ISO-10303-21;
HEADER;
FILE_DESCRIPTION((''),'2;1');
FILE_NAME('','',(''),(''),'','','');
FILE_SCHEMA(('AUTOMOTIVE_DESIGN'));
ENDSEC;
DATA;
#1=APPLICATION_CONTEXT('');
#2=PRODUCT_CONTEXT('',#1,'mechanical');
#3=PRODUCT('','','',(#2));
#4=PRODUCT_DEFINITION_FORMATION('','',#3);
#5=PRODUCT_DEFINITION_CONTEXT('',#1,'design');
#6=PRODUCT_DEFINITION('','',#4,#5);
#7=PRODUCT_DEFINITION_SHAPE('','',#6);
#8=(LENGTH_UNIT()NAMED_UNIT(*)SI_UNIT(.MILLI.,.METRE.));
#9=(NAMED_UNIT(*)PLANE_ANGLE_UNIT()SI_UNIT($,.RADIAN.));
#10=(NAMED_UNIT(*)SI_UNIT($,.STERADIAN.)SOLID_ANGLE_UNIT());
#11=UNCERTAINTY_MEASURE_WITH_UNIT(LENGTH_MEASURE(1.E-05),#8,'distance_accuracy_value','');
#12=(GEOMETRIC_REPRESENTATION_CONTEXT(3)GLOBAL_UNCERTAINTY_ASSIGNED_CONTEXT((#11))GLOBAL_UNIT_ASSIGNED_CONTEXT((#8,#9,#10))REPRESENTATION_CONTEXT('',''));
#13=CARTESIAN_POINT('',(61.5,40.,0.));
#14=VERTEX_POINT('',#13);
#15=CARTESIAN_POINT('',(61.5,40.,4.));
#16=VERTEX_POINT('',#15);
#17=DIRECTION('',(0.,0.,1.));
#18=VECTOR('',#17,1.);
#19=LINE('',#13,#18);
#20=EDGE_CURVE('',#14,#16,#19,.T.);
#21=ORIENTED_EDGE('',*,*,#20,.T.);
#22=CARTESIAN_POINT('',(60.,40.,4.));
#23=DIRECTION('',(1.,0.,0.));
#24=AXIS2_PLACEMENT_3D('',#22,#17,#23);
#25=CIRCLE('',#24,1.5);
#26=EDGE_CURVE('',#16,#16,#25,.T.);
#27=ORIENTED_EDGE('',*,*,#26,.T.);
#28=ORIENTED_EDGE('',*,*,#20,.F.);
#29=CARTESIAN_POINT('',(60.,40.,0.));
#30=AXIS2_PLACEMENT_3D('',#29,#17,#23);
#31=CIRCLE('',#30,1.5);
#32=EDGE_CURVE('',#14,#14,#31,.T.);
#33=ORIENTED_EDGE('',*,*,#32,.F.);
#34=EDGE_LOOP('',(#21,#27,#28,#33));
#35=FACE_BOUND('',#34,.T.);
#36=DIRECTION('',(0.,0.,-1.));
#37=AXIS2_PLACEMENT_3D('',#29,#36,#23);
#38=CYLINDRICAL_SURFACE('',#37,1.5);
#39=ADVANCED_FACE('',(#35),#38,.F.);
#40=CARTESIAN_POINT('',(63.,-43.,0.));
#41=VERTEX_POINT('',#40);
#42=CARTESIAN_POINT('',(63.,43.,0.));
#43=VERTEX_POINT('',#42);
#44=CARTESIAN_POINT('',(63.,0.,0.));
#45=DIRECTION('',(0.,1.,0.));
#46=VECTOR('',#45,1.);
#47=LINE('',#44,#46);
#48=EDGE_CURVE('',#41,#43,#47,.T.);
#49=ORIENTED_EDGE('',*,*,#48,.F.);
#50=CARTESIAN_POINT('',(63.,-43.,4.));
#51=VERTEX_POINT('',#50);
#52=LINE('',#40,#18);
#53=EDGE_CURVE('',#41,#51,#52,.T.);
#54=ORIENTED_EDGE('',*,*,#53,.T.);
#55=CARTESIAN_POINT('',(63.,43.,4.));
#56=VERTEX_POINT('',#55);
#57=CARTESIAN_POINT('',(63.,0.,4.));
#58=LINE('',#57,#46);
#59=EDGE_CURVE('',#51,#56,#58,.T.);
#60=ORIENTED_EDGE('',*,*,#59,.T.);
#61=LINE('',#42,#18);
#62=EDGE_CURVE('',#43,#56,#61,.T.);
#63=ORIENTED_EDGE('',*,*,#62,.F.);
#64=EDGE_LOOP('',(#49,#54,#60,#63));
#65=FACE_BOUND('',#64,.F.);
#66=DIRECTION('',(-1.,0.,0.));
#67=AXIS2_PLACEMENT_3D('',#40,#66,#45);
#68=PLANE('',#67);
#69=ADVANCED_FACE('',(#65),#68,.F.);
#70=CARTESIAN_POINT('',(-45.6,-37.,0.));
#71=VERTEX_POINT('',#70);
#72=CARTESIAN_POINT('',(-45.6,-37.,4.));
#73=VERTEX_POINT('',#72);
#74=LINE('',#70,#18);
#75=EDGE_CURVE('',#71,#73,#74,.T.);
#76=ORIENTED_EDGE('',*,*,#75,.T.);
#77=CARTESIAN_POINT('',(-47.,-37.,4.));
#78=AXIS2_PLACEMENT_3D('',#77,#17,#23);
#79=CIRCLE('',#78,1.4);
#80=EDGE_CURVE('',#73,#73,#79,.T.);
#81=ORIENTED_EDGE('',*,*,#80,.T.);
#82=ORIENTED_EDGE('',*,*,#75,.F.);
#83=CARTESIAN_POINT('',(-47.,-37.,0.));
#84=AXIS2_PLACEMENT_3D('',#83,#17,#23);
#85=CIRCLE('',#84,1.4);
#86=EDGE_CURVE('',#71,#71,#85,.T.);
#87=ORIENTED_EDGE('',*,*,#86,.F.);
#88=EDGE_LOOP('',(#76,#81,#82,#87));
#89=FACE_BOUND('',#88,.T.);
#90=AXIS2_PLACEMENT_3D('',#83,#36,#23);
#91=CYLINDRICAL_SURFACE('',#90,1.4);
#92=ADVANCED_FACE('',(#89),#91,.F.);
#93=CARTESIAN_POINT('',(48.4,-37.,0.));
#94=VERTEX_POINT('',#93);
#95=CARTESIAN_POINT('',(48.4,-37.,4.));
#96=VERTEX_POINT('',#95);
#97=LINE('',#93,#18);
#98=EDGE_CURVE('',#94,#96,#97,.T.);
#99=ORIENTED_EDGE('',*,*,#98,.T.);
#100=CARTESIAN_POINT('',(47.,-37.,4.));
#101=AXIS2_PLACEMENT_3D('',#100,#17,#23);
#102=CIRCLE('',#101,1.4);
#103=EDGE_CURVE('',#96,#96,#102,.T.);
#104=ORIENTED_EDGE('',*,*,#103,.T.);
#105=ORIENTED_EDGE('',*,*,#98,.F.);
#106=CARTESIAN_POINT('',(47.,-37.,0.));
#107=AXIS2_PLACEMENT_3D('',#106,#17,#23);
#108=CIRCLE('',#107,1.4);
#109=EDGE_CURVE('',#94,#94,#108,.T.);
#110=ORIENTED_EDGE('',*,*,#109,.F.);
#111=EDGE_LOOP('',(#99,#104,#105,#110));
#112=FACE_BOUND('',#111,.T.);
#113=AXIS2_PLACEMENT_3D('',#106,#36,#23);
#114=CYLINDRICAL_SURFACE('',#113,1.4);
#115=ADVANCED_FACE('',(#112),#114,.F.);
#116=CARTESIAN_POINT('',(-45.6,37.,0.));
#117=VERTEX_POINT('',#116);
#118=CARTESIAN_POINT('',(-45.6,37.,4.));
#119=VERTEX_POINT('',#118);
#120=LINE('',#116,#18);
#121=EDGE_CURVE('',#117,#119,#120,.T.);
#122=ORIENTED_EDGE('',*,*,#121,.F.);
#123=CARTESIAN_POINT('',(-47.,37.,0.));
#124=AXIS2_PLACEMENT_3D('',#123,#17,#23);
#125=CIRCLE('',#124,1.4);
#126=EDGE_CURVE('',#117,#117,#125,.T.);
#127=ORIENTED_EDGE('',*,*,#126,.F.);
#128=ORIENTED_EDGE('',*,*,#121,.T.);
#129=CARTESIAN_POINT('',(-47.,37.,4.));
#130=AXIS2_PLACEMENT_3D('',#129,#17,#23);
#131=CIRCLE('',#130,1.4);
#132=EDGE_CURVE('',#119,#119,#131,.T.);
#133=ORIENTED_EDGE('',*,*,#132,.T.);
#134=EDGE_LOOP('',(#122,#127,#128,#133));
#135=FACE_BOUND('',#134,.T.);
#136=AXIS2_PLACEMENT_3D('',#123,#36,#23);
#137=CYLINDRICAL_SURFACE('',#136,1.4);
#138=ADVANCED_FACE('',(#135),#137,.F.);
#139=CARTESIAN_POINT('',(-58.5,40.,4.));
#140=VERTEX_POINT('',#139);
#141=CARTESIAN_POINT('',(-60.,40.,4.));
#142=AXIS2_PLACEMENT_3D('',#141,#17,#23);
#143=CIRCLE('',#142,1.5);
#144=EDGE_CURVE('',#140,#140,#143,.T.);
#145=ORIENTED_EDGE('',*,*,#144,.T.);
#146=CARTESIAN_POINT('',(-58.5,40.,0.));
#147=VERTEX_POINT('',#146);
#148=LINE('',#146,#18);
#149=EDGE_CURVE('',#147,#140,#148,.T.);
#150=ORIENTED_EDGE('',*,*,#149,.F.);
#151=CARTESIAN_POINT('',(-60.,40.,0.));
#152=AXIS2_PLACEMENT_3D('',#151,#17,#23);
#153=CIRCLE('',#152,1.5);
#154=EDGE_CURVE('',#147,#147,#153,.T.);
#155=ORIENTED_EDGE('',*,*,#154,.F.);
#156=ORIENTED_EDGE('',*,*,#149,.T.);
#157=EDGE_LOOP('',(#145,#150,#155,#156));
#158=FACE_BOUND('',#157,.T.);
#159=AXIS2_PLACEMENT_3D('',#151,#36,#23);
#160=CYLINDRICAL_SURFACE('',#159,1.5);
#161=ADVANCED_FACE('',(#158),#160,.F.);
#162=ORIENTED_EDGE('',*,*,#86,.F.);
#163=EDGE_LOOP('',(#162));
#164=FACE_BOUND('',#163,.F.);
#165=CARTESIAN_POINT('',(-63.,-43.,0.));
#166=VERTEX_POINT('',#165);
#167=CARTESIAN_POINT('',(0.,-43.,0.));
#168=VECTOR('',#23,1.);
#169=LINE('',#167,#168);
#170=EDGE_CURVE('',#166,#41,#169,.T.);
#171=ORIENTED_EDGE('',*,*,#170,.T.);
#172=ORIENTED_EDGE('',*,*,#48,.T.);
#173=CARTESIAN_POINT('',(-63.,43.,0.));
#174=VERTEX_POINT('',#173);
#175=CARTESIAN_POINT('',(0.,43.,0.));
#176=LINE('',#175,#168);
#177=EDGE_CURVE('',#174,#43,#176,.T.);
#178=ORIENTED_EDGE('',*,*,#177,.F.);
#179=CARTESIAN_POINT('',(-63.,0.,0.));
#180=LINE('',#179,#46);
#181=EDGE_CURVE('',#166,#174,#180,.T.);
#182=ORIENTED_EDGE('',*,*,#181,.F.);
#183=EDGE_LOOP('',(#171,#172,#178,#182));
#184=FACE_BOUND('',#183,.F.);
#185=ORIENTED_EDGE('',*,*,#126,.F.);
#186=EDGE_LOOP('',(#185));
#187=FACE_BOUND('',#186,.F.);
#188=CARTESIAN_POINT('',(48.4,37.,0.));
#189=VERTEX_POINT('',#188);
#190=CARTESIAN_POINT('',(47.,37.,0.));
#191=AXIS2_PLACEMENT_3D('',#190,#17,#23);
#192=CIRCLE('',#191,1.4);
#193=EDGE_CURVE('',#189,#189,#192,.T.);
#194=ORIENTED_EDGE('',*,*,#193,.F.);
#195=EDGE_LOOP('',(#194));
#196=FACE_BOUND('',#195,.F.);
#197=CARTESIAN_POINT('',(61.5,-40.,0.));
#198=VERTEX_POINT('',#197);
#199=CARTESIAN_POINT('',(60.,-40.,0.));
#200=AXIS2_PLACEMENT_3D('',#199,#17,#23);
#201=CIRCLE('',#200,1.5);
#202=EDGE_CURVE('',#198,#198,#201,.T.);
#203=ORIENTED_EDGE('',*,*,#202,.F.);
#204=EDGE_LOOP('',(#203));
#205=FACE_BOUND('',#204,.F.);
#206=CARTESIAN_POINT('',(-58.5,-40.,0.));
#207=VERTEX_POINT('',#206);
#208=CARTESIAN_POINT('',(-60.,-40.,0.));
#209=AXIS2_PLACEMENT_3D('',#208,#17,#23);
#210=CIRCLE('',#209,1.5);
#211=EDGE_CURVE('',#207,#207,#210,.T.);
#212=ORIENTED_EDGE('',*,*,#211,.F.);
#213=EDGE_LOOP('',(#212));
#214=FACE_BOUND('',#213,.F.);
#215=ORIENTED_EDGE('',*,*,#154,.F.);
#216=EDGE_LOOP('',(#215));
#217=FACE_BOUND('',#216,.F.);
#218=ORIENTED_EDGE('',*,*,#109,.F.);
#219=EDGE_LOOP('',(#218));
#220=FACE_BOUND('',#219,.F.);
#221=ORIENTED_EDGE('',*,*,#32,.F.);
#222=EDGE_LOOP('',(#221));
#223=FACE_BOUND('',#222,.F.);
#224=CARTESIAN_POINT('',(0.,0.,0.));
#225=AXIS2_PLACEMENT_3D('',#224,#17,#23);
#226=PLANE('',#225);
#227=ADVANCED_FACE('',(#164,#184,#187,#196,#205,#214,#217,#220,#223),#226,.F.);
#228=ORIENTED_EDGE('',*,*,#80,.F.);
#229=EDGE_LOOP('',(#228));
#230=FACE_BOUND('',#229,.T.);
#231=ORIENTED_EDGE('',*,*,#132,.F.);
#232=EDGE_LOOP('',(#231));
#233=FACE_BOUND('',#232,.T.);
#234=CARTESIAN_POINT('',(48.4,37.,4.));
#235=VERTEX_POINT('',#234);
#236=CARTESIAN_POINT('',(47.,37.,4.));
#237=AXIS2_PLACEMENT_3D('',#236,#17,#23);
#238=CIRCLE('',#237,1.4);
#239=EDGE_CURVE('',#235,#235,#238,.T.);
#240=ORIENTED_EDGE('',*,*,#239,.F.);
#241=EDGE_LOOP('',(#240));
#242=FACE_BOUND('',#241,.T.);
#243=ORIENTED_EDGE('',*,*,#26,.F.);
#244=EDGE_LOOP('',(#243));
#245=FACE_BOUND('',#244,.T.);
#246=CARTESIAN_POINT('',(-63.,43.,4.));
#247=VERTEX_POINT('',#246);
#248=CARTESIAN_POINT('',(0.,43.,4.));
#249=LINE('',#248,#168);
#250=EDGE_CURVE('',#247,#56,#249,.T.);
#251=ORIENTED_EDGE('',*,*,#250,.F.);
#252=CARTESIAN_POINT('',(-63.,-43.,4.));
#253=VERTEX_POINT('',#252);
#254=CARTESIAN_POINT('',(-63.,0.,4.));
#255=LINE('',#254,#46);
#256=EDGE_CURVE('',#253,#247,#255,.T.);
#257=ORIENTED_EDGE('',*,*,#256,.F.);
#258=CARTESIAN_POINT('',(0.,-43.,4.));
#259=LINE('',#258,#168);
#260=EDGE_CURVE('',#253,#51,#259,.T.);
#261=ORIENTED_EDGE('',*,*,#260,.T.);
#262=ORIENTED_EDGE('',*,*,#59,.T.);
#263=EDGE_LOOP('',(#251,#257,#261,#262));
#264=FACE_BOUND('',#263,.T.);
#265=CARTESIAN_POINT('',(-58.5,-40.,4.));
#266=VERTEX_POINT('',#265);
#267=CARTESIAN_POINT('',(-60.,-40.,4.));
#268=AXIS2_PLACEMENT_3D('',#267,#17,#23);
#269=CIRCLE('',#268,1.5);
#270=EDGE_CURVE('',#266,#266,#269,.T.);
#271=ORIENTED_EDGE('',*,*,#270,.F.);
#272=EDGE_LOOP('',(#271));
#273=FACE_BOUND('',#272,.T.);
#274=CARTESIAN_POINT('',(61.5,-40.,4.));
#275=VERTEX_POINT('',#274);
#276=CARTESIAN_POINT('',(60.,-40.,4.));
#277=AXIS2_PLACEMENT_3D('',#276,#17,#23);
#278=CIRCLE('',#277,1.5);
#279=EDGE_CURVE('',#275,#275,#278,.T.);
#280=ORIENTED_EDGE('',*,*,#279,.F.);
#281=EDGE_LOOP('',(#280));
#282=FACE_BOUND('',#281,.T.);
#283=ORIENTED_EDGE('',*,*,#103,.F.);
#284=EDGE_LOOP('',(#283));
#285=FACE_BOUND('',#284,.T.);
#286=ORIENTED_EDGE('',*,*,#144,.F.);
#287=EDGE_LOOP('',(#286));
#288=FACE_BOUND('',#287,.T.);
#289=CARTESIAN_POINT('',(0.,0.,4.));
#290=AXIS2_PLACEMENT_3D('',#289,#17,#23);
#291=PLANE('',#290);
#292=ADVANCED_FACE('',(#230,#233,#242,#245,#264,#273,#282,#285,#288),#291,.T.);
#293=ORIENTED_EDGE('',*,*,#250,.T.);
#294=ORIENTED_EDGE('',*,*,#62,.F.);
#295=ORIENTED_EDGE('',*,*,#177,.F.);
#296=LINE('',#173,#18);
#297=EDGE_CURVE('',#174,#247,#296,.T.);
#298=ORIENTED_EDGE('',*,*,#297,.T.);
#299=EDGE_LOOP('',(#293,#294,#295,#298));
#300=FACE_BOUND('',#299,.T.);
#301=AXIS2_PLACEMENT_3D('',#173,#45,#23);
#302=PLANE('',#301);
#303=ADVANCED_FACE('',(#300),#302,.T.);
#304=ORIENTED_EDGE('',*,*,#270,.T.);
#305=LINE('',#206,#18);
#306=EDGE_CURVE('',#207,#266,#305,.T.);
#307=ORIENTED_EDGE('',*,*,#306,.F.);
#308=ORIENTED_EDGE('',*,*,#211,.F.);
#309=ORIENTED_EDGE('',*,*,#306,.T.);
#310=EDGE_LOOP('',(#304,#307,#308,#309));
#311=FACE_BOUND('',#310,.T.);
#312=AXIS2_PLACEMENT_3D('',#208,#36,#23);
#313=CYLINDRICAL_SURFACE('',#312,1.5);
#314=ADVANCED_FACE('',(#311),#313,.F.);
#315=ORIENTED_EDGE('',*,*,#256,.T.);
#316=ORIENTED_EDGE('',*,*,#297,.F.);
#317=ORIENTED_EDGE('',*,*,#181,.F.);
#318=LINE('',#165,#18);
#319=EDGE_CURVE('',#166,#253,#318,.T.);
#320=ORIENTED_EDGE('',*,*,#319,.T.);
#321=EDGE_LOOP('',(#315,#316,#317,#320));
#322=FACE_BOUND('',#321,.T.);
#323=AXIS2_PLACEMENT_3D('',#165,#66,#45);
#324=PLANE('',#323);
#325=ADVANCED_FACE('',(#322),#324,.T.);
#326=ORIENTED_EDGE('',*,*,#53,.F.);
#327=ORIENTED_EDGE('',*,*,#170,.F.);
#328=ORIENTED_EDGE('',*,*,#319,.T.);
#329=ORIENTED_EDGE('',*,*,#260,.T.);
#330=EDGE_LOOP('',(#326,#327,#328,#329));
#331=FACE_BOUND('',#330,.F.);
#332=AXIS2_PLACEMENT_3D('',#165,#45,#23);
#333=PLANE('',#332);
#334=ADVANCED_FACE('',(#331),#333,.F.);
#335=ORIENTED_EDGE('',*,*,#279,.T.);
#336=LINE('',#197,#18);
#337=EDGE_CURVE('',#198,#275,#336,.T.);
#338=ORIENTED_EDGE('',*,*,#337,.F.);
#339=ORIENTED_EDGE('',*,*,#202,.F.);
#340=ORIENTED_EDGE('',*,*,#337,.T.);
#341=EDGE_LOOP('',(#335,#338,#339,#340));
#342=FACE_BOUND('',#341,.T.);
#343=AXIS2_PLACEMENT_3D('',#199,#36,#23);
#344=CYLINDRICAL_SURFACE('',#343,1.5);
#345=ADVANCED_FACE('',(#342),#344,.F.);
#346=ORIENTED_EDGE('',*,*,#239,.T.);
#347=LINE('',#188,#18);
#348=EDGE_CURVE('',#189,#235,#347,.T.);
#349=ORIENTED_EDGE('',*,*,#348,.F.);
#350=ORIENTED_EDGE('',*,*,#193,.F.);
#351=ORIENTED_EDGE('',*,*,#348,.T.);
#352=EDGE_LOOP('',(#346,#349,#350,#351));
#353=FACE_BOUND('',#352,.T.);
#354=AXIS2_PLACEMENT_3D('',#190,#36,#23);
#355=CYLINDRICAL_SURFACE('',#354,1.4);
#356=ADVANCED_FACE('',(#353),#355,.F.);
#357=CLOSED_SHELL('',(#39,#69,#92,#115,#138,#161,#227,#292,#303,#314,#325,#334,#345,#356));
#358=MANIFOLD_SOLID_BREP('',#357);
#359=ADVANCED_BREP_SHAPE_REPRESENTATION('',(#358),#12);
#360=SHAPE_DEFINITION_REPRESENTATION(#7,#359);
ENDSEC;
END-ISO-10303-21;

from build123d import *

# Parameters (mm, degrees)
F0_W     = 126
F0_H     = 86
F0_R     = 1.5
F0_R_2   = 1.4
F1_DEPTH = 4


with BuildPart() as f1:
    # F0 (on Top) → F1 (new body)
    with BuildSketch(Plane.XY):
        Rectangle(F0_W, F0_H)
        with Locations((-60, -40)):
            Circle(F0_R, mode=Mode.SUBTRACT)
        with Locations((-47, -37)):
            Circle(F0_R_2, mode=Mode.SUBTRACT)
        with Locations((47, -37)):
            Circle(F0_R_2, mode=Mode.SUBTRACT)
        with Locations((60, -40)):
            Circle(F0_R, mode=Mode.SUBTRACT)
        with Locations((-60, 40)):
            Circle(F0_R, mode=Mode.SUBTRACT)
        with Locations((-47, 37)):
            Circle(F0_R_2, mode=Mode.SUBTRACT)
        with Locations((47, 37)):
            Circle(F0_R_2, mode=Mode.SUBTRACT)
        with Locations((60, 40)):
            Circle(F0_R, mode=Mode.SUBTRACT)
    extrude(amount=F1_DEPTH)


solid = f1.part
